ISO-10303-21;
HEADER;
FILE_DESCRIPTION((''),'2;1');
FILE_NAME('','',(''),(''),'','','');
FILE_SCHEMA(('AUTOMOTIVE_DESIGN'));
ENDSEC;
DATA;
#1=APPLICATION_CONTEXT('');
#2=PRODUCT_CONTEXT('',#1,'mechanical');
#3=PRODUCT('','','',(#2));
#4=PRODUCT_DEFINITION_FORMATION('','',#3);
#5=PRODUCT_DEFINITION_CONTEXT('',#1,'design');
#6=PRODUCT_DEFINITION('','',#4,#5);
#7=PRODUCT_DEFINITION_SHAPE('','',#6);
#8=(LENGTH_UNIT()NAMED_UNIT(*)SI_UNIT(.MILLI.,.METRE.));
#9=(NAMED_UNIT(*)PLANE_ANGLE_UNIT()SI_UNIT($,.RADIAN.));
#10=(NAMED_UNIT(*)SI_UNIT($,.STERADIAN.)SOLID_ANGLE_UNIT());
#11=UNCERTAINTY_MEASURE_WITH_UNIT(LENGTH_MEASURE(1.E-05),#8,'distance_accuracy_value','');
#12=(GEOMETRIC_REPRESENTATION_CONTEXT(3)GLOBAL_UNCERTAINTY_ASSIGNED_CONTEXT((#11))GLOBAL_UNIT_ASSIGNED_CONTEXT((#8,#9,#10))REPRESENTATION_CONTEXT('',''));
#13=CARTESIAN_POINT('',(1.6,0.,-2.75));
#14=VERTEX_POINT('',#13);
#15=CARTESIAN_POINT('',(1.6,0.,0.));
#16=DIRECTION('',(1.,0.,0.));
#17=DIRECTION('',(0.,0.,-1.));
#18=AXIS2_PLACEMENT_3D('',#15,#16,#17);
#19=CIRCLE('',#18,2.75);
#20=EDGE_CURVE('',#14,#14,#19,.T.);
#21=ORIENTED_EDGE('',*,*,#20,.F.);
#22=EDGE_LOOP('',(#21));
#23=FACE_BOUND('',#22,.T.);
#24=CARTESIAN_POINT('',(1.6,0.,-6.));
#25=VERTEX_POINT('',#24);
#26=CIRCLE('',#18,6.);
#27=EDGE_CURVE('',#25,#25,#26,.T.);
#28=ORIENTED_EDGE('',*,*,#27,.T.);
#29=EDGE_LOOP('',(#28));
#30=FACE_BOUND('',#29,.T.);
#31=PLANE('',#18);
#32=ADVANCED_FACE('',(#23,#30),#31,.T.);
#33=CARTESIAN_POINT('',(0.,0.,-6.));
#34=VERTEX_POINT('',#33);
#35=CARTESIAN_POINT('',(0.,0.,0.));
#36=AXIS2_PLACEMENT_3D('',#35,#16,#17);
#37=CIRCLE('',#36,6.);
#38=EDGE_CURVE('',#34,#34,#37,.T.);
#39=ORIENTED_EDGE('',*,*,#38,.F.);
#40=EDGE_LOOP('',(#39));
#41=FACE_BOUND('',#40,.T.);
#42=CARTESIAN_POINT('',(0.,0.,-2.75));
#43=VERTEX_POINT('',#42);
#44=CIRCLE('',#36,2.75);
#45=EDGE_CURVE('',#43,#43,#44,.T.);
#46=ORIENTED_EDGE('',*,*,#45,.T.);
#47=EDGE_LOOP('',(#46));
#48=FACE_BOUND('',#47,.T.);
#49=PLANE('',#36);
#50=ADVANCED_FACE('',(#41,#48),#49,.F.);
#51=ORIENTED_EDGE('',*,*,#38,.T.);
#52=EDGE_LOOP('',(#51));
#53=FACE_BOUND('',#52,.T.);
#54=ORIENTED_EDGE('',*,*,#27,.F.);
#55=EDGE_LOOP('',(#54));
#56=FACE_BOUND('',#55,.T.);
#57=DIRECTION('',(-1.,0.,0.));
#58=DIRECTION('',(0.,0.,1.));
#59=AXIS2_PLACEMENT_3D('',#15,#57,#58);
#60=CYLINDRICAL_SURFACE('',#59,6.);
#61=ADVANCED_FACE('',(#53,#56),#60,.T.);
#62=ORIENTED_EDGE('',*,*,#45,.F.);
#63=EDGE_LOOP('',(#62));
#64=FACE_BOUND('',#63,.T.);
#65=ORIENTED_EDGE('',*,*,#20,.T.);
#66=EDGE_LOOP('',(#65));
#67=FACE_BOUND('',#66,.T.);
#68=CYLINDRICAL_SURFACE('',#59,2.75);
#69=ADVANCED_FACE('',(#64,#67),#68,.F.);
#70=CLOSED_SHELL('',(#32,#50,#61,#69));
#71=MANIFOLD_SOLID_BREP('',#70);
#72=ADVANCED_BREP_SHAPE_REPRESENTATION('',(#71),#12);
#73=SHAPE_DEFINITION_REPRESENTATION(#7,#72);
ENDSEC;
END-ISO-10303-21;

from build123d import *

# Parameters (mm, degrees)
SKETCH1_R          = 6
SKETCH1_R_2        = 2.75
BASE_EXTRUDE_DEPTH = 1.6


with BuildPart() as part:
    # Sketch1 → Base-Extrude (new body)
    with BuildSketch(Plane(origin=(0, 0, 0), x_dir=(0, 0, -1), z_dir=(1, 0, 0))):
        Circle(SKETCH1_R)
        Circle(SKETCH1_R_2, mode=Mode.SUBTRACT)
    extrude(amount=BASE_EXTRUDE_DEPTH)


solid = part.part
